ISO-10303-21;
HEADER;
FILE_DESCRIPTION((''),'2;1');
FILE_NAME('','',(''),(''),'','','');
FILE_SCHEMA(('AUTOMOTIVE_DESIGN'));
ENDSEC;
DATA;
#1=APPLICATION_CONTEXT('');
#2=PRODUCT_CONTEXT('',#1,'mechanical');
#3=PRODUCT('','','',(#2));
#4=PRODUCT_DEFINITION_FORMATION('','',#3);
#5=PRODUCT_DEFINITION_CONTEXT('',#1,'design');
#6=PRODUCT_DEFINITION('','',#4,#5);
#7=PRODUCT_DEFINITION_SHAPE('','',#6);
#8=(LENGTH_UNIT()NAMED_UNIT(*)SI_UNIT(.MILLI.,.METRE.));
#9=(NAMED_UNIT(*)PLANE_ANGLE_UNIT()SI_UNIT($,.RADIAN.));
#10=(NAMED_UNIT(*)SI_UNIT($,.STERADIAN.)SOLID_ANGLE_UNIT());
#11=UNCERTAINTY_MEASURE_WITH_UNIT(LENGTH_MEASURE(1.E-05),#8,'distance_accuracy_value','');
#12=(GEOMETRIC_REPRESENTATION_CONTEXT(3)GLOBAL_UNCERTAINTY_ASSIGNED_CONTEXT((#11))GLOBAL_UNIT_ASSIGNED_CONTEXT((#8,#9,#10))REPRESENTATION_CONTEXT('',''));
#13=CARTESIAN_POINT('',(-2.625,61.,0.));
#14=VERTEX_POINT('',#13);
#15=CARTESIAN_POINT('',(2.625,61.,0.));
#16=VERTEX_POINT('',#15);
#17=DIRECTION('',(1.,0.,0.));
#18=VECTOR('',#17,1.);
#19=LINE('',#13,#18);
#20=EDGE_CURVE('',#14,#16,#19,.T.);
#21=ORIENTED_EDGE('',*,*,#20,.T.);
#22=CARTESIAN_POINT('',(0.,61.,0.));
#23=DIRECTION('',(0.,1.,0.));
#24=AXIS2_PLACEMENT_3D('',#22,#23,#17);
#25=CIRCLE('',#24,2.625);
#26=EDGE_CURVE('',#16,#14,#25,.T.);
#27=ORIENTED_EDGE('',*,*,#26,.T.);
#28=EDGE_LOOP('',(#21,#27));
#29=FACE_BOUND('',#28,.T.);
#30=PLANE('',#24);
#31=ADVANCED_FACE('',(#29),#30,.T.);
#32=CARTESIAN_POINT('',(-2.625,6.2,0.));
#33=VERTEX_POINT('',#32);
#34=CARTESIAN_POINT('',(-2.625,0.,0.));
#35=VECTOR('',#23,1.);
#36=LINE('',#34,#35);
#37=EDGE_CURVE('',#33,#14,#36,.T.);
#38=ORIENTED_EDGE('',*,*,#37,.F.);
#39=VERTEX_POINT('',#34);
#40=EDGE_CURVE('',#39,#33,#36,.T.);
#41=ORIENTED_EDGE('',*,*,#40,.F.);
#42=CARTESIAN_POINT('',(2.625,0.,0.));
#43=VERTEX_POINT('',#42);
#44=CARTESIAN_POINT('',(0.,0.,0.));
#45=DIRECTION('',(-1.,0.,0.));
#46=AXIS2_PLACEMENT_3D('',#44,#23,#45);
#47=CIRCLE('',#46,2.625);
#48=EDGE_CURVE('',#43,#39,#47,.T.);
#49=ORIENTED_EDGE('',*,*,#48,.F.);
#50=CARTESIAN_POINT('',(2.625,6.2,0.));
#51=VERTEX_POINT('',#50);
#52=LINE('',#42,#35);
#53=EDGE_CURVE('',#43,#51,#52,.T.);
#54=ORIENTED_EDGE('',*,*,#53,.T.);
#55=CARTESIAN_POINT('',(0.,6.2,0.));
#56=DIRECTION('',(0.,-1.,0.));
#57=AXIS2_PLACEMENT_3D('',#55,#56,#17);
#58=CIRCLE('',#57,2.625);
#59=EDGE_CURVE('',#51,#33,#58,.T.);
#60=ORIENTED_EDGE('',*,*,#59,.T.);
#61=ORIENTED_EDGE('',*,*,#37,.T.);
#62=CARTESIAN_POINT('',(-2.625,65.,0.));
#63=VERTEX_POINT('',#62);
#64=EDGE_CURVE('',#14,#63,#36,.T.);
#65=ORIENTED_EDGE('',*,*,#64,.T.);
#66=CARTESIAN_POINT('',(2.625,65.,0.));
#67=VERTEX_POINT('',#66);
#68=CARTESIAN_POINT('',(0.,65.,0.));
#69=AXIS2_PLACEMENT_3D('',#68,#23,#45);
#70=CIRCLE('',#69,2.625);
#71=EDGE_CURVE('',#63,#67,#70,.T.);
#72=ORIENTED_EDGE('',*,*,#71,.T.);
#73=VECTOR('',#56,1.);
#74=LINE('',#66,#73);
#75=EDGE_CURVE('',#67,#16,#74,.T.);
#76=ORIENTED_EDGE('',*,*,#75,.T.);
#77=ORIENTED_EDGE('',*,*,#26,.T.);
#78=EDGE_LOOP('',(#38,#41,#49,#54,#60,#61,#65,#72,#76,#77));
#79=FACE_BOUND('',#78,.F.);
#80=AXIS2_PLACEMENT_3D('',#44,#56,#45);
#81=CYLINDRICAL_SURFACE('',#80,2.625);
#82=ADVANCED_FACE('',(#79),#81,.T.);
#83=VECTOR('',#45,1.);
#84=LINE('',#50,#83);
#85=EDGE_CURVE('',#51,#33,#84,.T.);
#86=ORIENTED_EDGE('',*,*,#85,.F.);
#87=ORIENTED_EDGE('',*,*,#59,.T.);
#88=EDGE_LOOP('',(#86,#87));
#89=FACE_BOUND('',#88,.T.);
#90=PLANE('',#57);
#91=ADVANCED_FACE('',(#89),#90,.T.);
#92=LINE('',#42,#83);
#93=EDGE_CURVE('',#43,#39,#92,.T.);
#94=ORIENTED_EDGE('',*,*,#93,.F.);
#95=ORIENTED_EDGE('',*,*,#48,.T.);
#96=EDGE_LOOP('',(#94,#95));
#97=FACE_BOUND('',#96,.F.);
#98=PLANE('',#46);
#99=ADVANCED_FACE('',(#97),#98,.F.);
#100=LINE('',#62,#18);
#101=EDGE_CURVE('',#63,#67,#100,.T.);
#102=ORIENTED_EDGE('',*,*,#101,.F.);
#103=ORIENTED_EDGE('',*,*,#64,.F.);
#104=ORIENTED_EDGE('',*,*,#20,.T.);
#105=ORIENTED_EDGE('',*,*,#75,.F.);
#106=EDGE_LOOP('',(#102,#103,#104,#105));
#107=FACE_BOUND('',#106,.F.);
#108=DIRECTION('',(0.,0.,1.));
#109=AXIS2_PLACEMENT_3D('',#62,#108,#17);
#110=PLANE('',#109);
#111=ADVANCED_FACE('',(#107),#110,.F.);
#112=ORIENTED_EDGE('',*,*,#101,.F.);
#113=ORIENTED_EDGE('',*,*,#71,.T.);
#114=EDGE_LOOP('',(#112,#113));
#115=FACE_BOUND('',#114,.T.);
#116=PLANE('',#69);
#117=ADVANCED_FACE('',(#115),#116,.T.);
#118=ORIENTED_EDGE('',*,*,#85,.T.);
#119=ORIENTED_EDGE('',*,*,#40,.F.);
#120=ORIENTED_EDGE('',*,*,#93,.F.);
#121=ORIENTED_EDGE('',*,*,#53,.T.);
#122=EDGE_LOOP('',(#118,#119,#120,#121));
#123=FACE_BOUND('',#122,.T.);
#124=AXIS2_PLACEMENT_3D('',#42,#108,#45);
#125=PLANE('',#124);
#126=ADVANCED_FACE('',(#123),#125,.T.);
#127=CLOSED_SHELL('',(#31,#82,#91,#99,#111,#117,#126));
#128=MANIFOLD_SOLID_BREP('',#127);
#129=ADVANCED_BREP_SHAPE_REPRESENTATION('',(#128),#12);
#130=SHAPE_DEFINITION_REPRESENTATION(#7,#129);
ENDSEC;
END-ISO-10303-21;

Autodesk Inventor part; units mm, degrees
ref_plane "YZ Plane" through (0, 0, 0) normal (1, 0, 0) x (0, 1, 0)
ref_plane "XZ Plane" through (0, 0, 0) normal (0, 1, 0) x (-1, 0, 0)
ref_plane "XY Plane" through (0, 0, 0) normal (0, 0, 1) x (1, 0, 0)
sketch "Sketch1" plane through (0, 0, 0) normal (0, 1, 0) x (-1, 0, 0)
  circle A0 centre (0, 0) radius 2.625
  dimension "d0" = 5.25
extrude "Extrusion1" add sketch "Sketch1" along normal blind 65
sketch "Sketch2" plane through (0, 65, 0) normal (0, 1, 0) x (1, 0, 0)
  circle A0 centre (0, 0) radius 2.625 projected
  line L0 (-2.625, 0) -> (2.625, 0)
  arc A1 (2.625, 0) -> (-2.625, 0) centre (0, 0) ccw
extrude "Extrusion2" cut sketch "Sketch2" against normal blind 4 contours L0 A0 picked at (0.6549, 0.5802)
sketch "Sketch3" plane through (0, 0, 0) normal (0, -1, 0) x (1, 0, 0)
  arc A0 (2.625, 0) -> (-2.625, 0) centre (0, 0) ccw projected
  line L0 (2.625, 0) -> (-2.625, 0) projected
  line L1 (2.625, 0) -> (-2.625, 0)
  arc A1 (2.625, 0) -> (-2.625, 0) centre (0, 0) ccw
extrude "Extrusion3" cut sketch "Sketch3" against normal blind 6.2
properties part number "Twist_Rod"
